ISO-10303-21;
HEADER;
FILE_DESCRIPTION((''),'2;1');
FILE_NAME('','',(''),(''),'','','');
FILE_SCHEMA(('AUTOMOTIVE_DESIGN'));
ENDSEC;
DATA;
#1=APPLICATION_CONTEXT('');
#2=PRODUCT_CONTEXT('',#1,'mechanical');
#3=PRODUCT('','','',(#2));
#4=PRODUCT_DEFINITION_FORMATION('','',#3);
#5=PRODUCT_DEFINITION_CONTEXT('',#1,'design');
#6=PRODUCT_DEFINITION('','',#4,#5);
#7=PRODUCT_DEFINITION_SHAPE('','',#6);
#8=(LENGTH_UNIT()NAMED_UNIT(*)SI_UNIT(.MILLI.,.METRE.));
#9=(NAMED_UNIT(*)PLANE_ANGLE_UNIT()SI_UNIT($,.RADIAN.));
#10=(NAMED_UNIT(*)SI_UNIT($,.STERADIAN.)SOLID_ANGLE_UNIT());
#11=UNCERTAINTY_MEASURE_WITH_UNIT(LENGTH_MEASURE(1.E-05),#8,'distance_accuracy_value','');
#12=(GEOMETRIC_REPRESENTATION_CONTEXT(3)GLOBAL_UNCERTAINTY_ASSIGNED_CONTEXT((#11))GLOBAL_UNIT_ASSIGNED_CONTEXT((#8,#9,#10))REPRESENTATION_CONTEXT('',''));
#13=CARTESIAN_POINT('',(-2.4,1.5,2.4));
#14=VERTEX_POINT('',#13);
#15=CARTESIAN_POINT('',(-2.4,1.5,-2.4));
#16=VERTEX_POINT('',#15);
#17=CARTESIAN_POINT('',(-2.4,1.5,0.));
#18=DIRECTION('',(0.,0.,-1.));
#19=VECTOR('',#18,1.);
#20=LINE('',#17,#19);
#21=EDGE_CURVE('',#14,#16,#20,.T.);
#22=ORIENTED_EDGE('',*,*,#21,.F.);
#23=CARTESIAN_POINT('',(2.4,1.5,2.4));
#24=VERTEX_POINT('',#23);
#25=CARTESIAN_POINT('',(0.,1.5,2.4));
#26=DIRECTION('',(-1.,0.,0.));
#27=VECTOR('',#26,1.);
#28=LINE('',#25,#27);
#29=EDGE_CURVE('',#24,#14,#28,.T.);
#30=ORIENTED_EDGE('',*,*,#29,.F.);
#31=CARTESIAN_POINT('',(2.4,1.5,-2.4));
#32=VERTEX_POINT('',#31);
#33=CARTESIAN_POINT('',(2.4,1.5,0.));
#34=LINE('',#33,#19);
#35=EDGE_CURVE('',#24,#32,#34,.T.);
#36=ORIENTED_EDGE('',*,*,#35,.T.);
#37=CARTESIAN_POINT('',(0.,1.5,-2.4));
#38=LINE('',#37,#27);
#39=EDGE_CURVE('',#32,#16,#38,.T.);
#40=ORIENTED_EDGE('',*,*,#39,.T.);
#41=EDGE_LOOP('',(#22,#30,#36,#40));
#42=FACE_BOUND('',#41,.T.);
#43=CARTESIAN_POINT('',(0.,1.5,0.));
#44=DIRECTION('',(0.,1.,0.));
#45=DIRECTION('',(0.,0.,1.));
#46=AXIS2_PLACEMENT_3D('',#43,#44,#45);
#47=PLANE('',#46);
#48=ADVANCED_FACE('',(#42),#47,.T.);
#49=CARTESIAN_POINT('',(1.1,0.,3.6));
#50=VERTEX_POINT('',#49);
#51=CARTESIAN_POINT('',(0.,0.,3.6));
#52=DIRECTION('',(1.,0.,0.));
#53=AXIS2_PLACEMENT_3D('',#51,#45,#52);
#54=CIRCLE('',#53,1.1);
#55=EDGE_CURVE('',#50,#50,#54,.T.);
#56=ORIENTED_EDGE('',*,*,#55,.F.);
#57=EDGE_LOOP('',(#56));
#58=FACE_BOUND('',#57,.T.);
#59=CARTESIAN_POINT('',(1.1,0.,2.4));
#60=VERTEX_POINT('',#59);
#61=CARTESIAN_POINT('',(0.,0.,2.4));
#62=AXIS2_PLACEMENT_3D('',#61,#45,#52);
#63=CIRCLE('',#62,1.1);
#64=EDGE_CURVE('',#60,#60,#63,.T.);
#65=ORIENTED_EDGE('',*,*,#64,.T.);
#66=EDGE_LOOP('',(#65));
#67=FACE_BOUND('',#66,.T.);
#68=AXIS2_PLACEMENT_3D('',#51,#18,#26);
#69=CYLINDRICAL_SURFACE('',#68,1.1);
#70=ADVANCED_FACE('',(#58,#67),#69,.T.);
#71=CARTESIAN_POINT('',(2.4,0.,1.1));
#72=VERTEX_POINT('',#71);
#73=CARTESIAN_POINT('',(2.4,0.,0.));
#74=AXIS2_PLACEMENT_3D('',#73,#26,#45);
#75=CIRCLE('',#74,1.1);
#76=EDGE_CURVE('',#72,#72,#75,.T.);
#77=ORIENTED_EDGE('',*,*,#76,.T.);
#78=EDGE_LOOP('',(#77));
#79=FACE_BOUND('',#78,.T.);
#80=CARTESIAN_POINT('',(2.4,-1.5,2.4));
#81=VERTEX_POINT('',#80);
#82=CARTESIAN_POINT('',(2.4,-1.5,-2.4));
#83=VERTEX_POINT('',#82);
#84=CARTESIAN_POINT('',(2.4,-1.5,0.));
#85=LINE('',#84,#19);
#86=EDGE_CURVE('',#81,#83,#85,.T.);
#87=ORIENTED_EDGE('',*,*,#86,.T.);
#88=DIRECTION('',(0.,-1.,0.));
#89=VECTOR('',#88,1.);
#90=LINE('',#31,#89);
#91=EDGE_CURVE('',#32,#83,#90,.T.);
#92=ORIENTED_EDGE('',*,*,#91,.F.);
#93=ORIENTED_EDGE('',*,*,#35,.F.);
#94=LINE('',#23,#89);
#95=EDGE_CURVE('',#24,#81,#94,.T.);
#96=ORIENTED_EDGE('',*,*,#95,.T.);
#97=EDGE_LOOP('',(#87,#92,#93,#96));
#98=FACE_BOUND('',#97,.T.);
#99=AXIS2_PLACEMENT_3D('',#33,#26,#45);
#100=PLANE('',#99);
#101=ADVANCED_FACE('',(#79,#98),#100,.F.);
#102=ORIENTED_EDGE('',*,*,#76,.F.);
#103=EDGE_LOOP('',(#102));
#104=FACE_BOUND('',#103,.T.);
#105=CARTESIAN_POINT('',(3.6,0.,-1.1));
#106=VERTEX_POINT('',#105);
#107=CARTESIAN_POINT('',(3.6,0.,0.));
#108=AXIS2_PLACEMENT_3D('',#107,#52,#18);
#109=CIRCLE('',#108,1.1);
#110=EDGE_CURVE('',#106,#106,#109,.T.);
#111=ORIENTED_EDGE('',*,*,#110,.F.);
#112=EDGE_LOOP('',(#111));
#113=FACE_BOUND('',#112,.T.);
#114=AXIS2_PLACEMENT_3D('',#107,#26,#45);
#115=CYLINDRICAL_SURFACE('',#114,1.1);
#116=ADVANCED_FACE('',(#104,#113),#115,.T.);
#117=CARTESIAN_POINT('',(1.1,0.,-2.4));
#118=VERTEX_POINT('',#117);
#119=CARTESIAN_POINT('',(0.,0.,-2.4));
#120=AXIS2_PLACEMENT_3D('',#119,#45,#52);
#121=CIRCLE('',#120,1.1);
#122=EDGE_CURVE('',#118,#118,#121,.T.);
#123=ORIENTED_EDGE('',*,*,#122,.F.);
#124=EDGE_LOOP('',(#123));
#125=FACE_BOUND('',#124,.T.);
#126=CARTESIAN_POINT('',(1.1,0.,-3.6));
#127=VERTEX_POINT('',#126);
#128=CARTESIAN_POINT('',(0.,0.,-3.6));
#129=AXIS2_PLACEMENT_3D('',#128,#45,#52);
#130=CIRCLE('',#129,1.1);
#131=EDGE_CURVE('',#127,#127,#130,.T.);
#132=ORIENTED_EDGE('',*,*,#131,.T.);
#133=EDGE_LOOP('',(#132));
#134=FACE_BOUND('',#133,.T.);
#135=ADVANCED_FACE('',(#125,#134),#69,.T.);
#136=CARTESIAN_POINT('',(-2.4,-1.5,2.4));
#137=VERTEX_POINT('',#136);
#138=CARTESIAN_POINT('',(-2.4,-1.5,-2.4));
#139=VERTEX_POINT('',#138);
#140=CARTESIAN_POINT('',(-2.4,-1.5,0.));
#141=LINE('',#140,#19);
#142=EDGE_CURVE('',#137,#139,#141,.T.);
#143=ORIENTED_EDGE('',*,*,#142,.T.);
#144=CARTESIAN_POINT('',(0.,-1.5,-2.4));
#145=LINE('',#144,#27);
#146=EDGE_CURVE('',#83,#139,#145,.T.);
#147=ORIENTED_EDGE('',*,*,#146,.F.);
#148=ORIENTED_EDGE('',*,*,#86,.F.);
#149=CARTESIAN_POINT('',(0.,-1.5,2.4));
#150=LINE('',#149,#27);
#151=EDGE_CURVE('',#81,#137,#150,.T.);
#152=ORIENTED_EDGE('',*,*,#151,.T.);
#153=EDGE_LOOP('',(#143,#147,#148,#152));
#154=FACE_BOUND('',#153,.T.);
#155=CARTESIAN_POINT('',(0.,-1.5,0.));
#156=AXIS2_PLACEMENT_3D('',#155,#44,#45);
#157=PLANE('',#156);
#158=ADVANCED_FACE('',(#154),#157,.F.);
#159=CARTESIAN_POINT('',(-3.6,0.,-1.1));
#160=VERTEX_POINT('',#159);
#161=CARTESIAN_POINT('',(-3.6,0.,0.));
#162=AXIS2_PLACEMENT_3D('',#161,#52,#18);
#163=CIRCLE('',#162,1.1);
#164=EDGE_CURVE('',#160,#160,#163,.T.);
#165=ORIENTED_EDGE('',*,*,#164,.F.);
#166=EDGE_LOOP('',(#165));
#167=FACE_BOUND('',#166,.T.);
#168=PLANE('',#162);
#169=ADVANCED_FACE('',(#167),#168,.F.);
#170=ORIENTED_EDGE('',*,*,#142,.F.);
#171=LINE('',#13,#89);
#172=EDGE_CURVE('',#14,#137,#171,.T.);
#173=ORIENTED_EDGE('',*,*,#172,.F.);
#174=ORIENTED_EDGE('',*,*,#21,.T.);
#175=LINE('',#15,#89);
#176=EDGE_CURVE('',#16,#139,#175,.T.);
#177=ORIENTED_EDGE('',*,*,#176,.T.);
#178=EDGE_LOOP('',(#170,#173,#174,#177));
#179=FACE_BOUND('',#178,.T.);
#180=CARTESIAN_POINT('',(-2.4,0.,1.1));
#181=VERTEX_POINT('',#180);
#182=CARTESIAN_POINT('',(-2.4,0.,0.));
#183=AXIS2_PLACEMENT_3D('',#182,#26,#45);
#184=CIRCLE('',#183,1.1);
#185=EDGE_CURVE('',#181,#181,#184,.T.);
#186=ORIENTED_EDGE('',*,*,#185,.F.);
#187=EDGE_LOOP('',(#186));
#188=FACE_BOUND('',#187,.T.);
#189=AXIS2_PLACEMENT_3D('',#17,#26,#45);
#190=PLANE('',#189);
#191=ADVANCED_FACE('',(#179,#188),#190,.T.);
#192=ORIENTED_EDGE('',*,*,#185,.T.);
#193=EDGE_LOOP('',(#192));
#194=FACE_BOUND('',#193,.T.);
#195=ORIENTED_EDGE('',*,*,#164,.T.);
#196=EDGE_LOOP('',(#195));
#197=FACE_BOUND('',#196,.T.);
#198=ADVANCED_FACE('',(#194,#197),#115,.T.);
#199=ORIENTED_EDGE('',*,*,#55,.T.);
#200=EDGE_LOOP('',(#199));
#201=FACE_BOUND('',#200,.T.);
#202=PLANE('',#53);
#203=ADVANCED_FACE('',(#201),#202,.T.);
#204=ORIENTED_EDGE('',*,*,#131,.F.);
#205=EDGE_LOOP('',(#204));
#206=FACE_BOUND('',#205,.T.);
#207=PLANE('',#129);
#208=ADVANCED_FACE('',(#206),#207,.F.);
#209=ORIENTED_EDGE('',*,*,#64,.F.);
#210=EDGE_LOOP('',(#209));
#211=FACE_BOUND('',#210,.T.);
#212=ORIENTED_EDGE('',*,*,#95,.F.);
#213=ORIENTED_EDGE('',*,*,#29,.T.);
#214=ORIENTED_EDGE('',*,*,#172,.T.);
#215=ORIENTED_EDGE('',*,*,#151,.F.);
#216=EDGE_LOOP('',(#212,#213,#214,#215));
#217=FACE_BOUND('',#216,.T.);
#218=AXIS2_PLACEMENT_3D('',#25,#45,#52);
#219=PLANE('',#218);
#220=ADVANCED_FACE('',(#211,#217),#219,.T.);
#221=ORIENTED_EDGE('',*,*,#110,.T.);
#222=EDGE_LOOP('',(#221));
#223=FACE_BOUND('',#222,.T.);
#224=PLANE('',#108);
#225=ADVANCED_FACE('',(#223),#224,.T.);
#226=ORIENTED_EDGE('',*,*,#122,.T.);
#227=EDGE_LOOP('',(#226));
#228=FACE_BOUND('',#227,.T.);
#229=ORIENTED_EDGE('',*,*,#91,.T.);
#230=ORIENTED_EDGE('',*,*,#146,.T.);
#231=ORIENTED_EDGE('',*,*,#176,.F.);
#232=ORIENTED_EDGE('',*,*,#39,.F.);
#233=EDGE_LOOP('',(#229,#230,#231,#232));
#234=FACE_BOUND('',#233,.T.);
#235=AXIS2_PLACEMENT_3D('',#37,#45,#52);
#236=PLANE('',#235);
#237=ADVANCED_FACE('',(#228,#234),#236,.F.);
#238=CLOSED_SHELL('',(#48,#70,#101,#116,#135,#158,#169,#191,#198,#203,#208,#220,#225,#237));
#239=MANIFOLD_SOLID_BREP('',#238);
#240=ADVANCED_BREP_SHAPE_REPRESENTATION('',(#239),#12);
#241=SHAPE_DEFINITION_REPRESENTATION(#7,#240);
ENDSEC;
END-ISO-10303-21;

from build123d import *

# Parameters (mm, degrees)
SKETCH1_R           = 1.1
BOSS_EXTRUDE1_DEPTH = 3.6
CIRPATTERN1_COUNT   = 4
SKETCH3_W           = 4.8
SKETCH3_H           = 4.8
SKETCH3_W_2         = 2.2
SKETCH3_H_2         = 2.2
BOSS_EXTRUDE2_DEPTH = 1.5


with BuildPart() as part:
    # Sketch1 → Boss-Extrude1 (new, symmetric)
    with BuildSketch(Plane.XY):
        Circle(SKETCH1_R)
    boss_extrude1 = extrude(amount=BOSS_EXTRUDE1_DEPTH, both=True)

    # CirPattern1: Boss-Extrude1 ×4 about axis
    cirpattern1_axis = Axis((0, -1.485, 0), (0, 1, 0))
    for i in range(1, CIRPATTERN1_COUNT):
        add(boss_extrude1.rotate(cirpattern1_axis, i * 360 / CIRPATTERN1_COUNT))

    # Sketch3 → Boss-Extrude2 (add, symmetric)
    with BuildSketch(Plane(origin=(0, 0, 0), x_dir=(1, 0, 0), z_dir=(0, 1, 0))):
        Rectangle(SKETCH3_W, SKETCH3_H)
        Rectangle(SKETCH3_W_2, SKETCH3_H_2, mode=Mode.SUBTRACT)
        Rectangle(SKETCH3_W_2, SKETCH3_H_2)
    extrude(amount=BOSS_EXTRUDE2_DEPTH, both=True)


solid = part.part
